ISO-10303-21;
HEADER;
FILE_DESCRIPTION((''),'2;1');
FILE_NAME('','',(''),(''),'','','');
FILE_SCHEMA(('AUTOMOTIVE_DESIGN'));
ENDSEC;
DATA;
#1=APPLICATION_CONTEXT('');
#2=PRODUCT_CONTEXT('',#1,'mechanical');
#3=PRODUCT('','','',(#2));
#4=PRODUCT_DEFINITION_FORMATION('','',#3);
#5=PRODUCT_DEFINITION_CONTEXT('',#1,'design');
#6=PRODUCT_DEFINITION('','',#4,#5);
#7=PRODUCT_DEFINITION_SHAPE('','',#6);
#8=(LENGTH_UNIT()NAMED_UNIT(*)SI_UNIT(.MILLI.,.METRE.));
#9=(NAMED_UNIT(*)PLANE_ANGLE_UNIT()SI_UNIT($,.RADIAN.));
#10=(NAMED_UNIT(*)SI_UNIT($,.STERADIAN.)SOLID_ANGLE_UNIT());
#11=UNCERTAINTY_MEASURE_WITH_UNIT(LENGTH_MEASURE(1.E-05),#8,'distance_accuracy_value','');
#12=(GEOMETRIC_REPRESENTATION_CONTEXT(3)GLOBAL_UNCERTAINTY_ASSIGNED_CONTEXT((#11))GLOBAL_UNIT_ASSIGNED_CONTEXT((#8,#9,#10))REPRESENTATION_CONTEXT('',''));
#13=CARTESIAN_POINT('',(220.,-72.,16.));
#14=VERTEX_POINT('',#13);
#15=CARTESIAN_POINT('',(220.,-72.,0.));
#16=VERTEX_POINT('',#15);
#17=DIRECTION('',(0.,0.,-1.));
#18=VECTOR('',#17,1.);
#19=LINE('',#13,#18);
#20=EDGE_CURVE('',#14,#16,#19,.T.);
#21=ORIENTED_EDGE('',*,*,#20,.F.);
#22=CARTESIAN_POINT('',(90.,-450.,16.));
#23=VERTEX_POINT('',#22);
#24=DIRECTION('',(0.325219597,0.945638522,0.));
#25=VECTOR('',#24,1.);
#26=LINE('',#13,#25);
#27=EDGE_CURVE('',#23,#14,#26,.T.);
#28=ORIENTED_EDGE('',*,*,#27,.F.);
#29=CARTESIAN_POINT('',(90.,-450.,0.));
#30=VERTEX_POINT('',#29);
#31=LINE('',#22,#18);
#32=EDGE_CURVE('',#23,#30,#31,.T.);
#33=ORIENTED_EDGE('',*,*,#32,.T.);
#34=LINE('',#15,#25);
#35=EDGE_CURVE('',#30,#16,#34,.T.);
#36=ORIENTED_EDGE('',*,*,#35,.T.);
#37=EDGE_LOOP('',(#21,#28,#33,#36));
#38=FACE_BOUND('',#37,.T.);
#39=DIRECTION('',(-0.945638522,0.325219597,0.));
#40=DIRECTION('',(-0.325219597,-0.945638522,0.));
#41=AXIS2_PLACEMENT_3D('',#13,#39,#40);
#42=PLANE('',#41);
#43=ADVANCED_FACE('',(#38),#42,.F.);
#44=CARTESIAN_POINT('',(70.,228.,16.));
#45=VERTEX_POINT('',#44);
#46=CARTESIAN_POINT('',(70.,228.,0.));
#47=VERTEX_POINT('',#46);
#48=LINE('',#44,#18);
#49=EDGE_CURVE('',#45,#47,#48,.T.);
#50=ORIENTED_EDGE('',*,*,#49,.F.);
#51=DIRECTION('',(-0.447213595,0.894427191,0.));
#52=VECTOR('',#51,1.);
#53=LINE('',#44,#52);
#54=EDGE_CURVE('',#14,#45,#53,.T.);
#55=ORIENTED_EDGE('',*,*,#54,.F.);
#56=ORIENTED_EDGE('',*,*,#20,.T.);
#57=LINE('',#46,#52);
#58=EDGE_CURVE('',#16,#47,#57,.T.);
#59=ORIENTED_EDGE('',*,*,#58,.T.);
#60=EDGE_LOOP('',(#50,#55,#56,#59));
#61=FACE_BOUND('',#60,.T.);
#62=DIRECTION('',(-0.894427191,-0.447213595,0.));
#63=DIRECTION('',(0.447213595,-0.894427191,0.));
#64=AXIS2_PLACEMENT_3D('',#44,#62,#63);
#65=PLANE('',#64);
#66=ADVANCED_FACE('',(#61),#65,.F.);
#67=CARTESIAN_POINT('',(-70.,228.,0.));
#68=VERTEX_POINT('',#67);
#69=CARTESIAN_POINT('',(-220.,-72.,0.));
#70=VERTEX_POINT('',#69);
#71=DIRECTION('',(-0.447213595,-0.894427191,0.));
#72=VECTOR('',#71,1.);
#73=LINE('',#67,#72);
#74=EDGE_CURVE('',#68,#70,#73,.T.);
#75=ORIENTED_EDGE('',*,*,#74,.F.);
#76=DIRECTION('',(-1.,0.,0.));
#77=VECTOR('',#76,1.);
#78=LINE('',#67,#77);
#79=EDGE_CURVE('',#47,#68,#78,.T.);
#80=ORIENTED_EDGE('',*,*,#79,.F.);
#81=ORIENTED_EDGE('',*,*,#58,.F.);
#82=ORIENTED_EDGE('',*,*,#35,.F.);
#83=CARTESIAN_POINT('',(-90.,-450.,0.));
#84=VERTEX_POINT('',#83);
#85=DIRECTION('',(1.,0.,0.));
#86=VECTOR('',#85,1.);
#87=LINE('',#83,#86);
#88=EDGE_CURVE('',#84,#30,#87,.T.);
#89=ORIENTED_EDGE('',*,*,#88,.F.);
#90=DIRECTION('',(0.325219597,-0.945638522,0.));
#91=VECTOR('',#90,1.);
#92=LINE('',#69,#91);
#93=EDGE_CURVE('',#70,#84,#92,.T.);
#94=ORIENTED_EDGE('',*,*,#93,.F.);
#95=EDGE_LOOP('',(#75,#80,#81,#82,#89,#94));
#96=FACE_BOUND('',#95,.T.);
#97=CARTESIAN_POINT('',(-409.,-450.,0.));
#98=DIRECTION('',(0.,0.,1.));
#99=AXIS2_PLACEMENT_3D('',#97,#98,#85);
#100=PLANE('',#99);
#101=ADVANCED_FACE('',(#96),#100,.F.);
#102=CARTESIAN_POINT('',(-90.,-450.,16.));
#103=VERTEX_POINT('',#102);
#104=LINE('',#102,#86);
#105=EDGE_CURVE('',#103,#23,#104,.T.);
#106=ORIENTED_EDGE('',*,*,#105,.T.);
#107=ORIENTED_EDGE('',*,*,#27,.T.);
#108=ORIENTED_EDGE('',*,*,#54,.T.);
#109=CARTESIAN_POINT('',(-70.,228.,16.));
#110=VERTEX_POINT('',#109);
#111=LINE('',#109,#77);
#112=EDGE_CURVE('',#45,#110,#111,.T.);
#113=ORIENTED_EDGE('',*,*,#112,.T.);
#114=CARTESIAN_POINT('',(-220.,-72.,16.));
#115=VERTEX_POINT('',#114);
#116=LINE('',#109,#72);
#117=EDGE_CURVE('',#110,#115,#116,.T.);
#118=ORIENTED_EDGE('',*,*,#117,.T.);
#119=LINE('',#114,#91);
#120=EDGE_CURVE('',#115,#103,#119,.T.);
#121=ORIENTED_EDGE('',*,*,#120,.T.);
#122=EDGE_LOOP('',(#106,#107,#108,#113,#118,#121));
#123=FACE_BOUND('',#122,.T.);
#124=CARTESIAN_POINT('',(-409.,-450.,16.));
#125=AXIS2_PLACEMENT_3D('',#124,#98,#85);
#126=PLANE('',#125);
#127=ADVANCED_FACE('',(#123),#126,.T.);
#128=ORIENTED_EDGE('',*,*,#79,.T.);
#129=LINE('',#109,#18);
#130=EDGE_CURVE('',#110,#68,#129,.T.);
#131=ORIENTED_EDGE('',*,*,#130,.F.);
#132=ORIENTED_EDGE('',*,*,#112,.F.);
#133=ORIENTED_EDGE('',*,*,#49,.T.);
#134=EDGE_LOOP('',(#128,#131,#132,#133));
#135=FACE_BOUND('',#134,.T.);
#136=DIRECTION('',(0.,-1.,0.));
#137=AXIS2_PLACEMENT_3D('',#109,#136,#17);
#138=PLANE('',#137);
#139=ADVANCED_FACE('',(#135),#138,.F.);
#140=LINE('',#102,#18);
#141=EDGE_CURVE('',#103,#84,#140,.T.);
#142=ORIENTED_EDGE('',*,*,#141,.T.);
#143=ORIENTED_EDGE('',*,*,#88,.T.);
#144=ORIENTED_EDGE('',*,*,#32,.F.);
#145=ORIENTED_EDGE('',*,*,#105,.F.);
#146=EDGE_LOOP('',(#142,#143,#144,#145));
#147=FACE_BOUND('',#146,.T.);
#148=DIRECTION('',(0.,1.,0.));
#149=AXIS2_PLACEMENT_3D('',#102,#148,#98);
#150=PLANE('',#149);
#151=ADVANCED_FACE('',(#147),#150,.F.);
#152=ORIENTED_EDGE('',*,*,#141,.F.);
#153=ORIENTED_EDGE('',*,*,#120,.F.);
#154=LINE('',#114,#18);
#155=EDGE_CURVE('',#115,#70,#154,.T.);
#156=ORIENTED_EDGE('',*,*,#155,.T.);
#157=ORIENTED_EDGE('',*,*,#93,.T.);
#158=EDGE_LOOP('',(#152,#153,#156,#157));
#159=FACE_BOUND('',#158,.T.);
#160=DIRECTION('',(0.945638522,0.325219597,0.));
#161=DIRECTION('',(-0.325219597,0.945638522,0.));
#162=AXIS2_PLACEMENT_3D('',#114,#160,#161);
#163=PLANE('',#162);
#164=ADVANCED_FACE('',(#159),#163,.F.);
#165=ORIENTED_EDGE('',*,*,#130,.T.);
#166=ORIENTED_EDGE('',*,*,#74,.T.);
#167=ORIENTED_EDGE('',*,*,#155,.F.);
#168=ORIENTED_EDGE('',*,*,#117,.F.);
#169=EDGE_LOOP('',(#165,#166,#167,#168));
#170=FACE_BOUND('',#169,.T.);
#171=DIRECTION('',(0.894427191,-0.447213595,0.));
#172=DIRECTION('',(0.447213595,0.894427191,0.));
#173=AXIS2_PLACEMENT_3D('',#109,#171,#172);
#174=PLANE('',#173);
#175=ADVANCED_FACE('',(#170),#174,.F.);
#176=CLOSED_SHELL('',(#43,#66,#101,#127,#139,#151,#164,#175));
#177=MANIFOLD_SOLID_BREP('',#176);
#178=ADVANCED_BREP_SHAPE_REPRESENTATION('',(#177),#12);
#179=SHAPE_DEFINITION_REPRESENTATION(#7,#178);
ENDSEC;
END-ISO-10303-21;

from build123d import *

# Parameters (mm, degrees)
EXTRUDE_815_DEPTH = 16


with BuildPart() as part:
    # 草图1 → Extrude 815 (new body)
    with BuildSketch(Plane.XY):
        Polygon((-70, 228), (70, 228), (220, -72), (90, -450), (-90, -450), (-220, -72), align=None)
    extrude(amount=EXTRUDE_815_DEPTH)


solid = part.part
